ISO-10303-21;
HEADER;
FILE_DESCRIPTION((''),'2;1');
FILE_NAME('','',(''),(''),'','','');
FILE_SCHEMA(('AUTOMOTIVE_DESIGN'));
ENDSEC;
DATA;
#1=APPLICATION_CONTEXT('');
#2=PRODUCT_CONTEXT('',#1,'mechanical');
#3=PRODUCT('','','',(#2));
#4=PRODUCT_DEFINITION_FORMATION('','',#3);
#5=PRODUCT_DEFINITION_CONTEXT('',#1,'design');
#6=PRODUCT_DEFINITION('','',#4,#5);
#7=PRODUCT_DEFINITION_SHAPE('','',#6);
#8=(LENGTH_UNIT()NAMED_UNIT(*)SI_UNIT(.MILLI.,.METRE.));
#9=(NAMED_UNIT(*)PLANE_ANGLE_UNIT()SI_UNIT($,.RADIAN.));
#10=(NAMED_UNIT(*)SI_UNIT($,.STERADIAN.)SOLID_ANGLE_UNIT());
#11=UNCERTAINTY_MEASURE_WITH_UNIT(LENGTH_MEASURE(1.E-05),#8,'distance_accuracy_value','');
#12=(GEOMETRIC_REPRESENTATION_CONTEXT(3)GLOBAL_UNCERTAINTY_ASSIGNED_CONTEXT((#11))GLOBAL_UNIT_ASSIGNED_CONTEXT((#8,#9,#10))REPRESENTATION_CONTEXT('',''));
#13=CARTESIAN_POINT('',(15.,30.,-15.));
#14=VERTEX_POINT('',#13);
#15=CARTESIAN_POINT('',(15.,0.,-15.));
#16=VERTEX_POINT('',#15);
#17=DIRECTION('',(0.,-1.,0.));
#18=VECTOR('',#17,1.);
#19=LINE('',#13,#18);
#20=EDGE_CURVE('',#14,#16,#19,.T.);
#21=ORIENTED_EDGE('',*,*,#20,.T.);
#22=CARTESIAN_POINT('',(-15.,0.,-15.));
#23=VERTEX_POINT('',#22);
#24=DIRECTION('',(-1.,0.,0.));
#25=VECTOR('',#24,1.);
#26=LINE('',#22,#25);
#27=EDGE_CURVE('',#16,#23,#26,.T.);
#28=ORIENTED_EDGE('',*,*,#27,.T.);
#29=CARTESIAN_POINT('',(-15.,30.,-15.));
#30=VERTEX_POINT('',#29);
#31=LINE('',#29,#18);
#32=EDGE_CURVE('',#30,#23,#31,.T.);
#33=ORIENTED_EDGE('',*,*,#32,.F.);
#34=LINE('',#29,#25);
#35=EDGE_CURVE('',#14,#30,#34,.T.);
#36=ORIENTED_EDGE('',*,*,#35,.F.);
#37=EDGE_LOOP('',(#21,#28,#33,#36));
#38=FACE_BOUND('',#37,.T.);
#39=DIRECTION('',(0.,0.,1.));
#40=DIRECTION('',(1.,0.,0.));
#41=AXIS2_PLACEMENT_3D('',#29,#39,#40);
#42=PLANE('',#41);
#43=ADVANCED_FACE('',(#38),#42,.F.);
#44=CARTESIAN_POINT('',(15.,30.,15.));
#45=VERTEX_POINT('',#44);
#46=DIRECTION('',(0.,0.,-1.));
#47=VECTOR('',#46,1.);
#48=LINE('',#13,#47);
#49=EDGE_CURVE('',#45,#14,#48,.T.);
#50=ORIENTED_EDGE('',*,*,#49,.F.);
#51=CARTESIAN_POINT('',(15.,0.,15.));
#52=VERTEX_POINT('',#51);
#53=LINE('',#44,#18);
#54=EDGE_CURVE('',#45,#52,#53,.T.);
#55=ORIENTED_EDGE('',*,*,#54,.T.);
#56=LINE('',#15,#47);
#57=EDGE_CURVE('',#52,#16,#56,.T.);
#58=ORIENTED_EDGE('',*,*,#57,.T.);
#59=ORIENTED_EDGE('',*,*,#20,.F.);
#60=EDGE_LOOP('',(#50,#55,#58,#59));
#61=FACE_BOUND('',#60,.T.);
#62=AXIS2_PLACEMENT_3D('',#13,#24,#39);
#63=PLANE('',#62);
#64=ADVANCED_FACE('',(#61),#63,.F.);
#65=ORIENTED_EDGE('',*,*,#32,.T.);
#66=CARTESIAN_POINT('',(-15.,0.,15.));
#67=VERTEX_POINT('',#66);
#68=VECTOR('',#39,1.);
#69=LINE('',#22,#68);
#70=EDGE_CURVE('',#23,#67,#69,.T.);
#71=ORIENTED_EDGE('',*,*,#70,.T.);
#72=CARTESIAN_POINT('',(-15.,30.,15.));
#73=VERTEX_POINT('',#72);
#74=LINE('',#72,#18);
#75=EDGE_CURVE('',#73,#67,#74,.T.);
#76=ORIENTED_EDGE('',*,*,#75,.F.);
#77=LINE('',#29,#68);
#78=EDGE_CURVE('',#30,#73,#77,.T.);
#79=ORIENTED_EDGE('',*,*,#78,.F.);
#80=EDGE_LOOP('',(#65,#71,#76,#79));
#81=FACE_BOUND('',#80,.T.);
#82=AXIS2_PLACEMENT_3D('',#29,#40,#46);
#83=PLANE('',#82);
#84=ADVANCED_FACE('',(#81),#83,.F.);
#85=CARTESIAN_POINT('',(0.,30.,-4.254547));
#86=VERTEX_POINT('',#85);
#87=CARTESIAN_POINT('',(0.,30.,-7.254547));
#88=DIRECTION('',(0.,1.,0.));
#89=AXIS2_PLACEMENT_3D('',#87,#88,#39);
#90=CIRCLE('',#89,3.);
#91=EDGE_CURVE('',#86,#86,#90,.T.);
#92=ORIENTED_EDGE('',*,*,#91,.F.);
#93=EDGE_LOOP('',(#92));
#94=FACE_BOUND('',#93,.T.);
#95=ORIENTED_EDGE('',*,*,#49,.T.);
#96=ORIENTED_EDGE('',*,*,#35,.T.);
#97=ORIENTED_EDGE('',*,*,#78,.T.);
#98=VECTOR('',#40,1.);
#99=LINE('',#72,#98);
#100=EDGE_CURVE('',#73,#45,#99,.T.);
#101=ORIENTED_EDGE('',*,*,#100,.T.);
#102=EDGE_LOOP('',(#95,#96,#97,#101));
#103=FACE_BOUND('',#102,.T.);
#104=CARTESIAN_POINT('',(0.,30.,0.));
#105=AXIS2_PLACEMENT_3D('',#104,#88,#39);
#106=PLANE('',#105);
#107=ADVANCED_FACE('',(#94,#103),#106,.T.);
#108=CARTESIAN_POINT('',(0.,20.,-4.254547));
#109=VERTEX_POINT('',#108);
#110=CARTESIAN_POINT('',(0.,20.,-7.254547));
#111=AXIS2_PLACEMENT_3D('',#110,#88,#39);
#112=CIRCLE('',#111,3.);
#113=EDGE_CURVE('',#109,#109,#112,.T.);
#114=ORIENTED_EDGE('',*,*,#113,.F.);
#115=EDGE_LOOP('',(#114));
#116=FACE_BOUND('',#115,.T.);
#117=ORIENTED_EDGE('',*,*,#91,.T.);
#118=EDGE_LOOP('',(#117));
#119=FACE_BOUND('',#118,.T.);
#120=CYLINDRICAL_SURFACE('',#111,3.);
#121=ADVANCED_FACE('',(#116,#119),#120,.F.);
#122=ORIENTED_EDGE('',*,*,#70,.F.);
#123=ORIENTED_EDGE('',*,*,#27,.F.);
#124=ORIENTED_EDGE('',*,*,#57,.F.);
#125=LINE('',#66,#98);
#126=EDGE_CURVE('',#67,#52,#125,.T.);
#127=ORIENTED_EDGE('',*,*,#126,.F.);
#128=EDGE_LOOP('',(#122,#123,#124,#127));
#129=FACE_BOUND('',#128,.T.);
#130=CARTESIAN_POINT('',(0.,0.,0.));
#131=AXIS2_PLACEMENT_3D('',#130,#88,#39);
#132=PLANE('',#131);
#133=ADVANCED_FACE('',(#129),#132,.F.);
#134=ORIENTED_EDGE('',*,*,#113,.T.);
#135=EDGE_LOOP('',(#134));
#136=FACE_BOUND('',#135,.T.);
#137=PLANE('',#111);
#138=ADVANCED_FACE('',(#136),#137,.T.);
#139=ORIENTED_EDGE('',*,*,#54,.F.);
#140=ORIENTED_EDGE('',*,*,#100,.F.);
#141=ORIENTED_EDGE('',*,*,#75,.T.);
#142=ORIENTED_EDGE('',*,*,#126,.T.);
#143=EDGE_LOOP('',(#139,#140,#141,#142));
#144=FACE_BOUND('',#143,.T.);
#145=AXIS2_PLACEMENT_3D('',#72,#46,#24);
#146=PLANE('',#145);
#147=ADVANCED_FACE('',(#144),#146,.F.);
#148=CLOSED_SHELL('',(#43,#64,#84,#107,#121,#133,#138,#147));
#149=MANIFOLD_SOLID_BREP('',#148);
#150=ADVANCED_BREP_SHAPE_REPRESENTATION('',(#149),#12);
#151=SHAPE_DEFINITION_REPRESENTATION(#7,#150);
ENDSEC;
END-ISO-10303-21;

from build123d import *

# Parameters (mm, degrees)
SKETCH_1_W          = 30
SKETCH_1_H          = 30
EXTRUDE_1_DEPTH     = 30
SKETCH_2_R          = 3
CUT_EXTRUDE_1_DEPTH = 10


with BuildPart() as part:
    # 草图1 → 凸台-拉伸1 (new body)
    with BuildSketch(Plane(origin=(0, 0, 0), x_dir=(1, 0, 0), z_dir=(0, 1, 0))):
        Rectangle(SKETCH_1_W, SKETCH_1_H)
    extrude(amount=EXTRUDE_1_DEPTH)

    # 草图2 → 切除-拉伸1 (cut)
    with BuildSketch(Plane(origin=(0, 30, 0), x_dir=(1, 0, 0), z_dir=(0, 1, 0))):
        with Locations(Location((0, 7.254546962, 0), (0, 0, 270))):
            Circle(SKETCH_2_R)
    extrude(amount=-CUT_EXTRUDE_1_DEPTH, mode=Mode.SUBTRACT)


solid = part.part
